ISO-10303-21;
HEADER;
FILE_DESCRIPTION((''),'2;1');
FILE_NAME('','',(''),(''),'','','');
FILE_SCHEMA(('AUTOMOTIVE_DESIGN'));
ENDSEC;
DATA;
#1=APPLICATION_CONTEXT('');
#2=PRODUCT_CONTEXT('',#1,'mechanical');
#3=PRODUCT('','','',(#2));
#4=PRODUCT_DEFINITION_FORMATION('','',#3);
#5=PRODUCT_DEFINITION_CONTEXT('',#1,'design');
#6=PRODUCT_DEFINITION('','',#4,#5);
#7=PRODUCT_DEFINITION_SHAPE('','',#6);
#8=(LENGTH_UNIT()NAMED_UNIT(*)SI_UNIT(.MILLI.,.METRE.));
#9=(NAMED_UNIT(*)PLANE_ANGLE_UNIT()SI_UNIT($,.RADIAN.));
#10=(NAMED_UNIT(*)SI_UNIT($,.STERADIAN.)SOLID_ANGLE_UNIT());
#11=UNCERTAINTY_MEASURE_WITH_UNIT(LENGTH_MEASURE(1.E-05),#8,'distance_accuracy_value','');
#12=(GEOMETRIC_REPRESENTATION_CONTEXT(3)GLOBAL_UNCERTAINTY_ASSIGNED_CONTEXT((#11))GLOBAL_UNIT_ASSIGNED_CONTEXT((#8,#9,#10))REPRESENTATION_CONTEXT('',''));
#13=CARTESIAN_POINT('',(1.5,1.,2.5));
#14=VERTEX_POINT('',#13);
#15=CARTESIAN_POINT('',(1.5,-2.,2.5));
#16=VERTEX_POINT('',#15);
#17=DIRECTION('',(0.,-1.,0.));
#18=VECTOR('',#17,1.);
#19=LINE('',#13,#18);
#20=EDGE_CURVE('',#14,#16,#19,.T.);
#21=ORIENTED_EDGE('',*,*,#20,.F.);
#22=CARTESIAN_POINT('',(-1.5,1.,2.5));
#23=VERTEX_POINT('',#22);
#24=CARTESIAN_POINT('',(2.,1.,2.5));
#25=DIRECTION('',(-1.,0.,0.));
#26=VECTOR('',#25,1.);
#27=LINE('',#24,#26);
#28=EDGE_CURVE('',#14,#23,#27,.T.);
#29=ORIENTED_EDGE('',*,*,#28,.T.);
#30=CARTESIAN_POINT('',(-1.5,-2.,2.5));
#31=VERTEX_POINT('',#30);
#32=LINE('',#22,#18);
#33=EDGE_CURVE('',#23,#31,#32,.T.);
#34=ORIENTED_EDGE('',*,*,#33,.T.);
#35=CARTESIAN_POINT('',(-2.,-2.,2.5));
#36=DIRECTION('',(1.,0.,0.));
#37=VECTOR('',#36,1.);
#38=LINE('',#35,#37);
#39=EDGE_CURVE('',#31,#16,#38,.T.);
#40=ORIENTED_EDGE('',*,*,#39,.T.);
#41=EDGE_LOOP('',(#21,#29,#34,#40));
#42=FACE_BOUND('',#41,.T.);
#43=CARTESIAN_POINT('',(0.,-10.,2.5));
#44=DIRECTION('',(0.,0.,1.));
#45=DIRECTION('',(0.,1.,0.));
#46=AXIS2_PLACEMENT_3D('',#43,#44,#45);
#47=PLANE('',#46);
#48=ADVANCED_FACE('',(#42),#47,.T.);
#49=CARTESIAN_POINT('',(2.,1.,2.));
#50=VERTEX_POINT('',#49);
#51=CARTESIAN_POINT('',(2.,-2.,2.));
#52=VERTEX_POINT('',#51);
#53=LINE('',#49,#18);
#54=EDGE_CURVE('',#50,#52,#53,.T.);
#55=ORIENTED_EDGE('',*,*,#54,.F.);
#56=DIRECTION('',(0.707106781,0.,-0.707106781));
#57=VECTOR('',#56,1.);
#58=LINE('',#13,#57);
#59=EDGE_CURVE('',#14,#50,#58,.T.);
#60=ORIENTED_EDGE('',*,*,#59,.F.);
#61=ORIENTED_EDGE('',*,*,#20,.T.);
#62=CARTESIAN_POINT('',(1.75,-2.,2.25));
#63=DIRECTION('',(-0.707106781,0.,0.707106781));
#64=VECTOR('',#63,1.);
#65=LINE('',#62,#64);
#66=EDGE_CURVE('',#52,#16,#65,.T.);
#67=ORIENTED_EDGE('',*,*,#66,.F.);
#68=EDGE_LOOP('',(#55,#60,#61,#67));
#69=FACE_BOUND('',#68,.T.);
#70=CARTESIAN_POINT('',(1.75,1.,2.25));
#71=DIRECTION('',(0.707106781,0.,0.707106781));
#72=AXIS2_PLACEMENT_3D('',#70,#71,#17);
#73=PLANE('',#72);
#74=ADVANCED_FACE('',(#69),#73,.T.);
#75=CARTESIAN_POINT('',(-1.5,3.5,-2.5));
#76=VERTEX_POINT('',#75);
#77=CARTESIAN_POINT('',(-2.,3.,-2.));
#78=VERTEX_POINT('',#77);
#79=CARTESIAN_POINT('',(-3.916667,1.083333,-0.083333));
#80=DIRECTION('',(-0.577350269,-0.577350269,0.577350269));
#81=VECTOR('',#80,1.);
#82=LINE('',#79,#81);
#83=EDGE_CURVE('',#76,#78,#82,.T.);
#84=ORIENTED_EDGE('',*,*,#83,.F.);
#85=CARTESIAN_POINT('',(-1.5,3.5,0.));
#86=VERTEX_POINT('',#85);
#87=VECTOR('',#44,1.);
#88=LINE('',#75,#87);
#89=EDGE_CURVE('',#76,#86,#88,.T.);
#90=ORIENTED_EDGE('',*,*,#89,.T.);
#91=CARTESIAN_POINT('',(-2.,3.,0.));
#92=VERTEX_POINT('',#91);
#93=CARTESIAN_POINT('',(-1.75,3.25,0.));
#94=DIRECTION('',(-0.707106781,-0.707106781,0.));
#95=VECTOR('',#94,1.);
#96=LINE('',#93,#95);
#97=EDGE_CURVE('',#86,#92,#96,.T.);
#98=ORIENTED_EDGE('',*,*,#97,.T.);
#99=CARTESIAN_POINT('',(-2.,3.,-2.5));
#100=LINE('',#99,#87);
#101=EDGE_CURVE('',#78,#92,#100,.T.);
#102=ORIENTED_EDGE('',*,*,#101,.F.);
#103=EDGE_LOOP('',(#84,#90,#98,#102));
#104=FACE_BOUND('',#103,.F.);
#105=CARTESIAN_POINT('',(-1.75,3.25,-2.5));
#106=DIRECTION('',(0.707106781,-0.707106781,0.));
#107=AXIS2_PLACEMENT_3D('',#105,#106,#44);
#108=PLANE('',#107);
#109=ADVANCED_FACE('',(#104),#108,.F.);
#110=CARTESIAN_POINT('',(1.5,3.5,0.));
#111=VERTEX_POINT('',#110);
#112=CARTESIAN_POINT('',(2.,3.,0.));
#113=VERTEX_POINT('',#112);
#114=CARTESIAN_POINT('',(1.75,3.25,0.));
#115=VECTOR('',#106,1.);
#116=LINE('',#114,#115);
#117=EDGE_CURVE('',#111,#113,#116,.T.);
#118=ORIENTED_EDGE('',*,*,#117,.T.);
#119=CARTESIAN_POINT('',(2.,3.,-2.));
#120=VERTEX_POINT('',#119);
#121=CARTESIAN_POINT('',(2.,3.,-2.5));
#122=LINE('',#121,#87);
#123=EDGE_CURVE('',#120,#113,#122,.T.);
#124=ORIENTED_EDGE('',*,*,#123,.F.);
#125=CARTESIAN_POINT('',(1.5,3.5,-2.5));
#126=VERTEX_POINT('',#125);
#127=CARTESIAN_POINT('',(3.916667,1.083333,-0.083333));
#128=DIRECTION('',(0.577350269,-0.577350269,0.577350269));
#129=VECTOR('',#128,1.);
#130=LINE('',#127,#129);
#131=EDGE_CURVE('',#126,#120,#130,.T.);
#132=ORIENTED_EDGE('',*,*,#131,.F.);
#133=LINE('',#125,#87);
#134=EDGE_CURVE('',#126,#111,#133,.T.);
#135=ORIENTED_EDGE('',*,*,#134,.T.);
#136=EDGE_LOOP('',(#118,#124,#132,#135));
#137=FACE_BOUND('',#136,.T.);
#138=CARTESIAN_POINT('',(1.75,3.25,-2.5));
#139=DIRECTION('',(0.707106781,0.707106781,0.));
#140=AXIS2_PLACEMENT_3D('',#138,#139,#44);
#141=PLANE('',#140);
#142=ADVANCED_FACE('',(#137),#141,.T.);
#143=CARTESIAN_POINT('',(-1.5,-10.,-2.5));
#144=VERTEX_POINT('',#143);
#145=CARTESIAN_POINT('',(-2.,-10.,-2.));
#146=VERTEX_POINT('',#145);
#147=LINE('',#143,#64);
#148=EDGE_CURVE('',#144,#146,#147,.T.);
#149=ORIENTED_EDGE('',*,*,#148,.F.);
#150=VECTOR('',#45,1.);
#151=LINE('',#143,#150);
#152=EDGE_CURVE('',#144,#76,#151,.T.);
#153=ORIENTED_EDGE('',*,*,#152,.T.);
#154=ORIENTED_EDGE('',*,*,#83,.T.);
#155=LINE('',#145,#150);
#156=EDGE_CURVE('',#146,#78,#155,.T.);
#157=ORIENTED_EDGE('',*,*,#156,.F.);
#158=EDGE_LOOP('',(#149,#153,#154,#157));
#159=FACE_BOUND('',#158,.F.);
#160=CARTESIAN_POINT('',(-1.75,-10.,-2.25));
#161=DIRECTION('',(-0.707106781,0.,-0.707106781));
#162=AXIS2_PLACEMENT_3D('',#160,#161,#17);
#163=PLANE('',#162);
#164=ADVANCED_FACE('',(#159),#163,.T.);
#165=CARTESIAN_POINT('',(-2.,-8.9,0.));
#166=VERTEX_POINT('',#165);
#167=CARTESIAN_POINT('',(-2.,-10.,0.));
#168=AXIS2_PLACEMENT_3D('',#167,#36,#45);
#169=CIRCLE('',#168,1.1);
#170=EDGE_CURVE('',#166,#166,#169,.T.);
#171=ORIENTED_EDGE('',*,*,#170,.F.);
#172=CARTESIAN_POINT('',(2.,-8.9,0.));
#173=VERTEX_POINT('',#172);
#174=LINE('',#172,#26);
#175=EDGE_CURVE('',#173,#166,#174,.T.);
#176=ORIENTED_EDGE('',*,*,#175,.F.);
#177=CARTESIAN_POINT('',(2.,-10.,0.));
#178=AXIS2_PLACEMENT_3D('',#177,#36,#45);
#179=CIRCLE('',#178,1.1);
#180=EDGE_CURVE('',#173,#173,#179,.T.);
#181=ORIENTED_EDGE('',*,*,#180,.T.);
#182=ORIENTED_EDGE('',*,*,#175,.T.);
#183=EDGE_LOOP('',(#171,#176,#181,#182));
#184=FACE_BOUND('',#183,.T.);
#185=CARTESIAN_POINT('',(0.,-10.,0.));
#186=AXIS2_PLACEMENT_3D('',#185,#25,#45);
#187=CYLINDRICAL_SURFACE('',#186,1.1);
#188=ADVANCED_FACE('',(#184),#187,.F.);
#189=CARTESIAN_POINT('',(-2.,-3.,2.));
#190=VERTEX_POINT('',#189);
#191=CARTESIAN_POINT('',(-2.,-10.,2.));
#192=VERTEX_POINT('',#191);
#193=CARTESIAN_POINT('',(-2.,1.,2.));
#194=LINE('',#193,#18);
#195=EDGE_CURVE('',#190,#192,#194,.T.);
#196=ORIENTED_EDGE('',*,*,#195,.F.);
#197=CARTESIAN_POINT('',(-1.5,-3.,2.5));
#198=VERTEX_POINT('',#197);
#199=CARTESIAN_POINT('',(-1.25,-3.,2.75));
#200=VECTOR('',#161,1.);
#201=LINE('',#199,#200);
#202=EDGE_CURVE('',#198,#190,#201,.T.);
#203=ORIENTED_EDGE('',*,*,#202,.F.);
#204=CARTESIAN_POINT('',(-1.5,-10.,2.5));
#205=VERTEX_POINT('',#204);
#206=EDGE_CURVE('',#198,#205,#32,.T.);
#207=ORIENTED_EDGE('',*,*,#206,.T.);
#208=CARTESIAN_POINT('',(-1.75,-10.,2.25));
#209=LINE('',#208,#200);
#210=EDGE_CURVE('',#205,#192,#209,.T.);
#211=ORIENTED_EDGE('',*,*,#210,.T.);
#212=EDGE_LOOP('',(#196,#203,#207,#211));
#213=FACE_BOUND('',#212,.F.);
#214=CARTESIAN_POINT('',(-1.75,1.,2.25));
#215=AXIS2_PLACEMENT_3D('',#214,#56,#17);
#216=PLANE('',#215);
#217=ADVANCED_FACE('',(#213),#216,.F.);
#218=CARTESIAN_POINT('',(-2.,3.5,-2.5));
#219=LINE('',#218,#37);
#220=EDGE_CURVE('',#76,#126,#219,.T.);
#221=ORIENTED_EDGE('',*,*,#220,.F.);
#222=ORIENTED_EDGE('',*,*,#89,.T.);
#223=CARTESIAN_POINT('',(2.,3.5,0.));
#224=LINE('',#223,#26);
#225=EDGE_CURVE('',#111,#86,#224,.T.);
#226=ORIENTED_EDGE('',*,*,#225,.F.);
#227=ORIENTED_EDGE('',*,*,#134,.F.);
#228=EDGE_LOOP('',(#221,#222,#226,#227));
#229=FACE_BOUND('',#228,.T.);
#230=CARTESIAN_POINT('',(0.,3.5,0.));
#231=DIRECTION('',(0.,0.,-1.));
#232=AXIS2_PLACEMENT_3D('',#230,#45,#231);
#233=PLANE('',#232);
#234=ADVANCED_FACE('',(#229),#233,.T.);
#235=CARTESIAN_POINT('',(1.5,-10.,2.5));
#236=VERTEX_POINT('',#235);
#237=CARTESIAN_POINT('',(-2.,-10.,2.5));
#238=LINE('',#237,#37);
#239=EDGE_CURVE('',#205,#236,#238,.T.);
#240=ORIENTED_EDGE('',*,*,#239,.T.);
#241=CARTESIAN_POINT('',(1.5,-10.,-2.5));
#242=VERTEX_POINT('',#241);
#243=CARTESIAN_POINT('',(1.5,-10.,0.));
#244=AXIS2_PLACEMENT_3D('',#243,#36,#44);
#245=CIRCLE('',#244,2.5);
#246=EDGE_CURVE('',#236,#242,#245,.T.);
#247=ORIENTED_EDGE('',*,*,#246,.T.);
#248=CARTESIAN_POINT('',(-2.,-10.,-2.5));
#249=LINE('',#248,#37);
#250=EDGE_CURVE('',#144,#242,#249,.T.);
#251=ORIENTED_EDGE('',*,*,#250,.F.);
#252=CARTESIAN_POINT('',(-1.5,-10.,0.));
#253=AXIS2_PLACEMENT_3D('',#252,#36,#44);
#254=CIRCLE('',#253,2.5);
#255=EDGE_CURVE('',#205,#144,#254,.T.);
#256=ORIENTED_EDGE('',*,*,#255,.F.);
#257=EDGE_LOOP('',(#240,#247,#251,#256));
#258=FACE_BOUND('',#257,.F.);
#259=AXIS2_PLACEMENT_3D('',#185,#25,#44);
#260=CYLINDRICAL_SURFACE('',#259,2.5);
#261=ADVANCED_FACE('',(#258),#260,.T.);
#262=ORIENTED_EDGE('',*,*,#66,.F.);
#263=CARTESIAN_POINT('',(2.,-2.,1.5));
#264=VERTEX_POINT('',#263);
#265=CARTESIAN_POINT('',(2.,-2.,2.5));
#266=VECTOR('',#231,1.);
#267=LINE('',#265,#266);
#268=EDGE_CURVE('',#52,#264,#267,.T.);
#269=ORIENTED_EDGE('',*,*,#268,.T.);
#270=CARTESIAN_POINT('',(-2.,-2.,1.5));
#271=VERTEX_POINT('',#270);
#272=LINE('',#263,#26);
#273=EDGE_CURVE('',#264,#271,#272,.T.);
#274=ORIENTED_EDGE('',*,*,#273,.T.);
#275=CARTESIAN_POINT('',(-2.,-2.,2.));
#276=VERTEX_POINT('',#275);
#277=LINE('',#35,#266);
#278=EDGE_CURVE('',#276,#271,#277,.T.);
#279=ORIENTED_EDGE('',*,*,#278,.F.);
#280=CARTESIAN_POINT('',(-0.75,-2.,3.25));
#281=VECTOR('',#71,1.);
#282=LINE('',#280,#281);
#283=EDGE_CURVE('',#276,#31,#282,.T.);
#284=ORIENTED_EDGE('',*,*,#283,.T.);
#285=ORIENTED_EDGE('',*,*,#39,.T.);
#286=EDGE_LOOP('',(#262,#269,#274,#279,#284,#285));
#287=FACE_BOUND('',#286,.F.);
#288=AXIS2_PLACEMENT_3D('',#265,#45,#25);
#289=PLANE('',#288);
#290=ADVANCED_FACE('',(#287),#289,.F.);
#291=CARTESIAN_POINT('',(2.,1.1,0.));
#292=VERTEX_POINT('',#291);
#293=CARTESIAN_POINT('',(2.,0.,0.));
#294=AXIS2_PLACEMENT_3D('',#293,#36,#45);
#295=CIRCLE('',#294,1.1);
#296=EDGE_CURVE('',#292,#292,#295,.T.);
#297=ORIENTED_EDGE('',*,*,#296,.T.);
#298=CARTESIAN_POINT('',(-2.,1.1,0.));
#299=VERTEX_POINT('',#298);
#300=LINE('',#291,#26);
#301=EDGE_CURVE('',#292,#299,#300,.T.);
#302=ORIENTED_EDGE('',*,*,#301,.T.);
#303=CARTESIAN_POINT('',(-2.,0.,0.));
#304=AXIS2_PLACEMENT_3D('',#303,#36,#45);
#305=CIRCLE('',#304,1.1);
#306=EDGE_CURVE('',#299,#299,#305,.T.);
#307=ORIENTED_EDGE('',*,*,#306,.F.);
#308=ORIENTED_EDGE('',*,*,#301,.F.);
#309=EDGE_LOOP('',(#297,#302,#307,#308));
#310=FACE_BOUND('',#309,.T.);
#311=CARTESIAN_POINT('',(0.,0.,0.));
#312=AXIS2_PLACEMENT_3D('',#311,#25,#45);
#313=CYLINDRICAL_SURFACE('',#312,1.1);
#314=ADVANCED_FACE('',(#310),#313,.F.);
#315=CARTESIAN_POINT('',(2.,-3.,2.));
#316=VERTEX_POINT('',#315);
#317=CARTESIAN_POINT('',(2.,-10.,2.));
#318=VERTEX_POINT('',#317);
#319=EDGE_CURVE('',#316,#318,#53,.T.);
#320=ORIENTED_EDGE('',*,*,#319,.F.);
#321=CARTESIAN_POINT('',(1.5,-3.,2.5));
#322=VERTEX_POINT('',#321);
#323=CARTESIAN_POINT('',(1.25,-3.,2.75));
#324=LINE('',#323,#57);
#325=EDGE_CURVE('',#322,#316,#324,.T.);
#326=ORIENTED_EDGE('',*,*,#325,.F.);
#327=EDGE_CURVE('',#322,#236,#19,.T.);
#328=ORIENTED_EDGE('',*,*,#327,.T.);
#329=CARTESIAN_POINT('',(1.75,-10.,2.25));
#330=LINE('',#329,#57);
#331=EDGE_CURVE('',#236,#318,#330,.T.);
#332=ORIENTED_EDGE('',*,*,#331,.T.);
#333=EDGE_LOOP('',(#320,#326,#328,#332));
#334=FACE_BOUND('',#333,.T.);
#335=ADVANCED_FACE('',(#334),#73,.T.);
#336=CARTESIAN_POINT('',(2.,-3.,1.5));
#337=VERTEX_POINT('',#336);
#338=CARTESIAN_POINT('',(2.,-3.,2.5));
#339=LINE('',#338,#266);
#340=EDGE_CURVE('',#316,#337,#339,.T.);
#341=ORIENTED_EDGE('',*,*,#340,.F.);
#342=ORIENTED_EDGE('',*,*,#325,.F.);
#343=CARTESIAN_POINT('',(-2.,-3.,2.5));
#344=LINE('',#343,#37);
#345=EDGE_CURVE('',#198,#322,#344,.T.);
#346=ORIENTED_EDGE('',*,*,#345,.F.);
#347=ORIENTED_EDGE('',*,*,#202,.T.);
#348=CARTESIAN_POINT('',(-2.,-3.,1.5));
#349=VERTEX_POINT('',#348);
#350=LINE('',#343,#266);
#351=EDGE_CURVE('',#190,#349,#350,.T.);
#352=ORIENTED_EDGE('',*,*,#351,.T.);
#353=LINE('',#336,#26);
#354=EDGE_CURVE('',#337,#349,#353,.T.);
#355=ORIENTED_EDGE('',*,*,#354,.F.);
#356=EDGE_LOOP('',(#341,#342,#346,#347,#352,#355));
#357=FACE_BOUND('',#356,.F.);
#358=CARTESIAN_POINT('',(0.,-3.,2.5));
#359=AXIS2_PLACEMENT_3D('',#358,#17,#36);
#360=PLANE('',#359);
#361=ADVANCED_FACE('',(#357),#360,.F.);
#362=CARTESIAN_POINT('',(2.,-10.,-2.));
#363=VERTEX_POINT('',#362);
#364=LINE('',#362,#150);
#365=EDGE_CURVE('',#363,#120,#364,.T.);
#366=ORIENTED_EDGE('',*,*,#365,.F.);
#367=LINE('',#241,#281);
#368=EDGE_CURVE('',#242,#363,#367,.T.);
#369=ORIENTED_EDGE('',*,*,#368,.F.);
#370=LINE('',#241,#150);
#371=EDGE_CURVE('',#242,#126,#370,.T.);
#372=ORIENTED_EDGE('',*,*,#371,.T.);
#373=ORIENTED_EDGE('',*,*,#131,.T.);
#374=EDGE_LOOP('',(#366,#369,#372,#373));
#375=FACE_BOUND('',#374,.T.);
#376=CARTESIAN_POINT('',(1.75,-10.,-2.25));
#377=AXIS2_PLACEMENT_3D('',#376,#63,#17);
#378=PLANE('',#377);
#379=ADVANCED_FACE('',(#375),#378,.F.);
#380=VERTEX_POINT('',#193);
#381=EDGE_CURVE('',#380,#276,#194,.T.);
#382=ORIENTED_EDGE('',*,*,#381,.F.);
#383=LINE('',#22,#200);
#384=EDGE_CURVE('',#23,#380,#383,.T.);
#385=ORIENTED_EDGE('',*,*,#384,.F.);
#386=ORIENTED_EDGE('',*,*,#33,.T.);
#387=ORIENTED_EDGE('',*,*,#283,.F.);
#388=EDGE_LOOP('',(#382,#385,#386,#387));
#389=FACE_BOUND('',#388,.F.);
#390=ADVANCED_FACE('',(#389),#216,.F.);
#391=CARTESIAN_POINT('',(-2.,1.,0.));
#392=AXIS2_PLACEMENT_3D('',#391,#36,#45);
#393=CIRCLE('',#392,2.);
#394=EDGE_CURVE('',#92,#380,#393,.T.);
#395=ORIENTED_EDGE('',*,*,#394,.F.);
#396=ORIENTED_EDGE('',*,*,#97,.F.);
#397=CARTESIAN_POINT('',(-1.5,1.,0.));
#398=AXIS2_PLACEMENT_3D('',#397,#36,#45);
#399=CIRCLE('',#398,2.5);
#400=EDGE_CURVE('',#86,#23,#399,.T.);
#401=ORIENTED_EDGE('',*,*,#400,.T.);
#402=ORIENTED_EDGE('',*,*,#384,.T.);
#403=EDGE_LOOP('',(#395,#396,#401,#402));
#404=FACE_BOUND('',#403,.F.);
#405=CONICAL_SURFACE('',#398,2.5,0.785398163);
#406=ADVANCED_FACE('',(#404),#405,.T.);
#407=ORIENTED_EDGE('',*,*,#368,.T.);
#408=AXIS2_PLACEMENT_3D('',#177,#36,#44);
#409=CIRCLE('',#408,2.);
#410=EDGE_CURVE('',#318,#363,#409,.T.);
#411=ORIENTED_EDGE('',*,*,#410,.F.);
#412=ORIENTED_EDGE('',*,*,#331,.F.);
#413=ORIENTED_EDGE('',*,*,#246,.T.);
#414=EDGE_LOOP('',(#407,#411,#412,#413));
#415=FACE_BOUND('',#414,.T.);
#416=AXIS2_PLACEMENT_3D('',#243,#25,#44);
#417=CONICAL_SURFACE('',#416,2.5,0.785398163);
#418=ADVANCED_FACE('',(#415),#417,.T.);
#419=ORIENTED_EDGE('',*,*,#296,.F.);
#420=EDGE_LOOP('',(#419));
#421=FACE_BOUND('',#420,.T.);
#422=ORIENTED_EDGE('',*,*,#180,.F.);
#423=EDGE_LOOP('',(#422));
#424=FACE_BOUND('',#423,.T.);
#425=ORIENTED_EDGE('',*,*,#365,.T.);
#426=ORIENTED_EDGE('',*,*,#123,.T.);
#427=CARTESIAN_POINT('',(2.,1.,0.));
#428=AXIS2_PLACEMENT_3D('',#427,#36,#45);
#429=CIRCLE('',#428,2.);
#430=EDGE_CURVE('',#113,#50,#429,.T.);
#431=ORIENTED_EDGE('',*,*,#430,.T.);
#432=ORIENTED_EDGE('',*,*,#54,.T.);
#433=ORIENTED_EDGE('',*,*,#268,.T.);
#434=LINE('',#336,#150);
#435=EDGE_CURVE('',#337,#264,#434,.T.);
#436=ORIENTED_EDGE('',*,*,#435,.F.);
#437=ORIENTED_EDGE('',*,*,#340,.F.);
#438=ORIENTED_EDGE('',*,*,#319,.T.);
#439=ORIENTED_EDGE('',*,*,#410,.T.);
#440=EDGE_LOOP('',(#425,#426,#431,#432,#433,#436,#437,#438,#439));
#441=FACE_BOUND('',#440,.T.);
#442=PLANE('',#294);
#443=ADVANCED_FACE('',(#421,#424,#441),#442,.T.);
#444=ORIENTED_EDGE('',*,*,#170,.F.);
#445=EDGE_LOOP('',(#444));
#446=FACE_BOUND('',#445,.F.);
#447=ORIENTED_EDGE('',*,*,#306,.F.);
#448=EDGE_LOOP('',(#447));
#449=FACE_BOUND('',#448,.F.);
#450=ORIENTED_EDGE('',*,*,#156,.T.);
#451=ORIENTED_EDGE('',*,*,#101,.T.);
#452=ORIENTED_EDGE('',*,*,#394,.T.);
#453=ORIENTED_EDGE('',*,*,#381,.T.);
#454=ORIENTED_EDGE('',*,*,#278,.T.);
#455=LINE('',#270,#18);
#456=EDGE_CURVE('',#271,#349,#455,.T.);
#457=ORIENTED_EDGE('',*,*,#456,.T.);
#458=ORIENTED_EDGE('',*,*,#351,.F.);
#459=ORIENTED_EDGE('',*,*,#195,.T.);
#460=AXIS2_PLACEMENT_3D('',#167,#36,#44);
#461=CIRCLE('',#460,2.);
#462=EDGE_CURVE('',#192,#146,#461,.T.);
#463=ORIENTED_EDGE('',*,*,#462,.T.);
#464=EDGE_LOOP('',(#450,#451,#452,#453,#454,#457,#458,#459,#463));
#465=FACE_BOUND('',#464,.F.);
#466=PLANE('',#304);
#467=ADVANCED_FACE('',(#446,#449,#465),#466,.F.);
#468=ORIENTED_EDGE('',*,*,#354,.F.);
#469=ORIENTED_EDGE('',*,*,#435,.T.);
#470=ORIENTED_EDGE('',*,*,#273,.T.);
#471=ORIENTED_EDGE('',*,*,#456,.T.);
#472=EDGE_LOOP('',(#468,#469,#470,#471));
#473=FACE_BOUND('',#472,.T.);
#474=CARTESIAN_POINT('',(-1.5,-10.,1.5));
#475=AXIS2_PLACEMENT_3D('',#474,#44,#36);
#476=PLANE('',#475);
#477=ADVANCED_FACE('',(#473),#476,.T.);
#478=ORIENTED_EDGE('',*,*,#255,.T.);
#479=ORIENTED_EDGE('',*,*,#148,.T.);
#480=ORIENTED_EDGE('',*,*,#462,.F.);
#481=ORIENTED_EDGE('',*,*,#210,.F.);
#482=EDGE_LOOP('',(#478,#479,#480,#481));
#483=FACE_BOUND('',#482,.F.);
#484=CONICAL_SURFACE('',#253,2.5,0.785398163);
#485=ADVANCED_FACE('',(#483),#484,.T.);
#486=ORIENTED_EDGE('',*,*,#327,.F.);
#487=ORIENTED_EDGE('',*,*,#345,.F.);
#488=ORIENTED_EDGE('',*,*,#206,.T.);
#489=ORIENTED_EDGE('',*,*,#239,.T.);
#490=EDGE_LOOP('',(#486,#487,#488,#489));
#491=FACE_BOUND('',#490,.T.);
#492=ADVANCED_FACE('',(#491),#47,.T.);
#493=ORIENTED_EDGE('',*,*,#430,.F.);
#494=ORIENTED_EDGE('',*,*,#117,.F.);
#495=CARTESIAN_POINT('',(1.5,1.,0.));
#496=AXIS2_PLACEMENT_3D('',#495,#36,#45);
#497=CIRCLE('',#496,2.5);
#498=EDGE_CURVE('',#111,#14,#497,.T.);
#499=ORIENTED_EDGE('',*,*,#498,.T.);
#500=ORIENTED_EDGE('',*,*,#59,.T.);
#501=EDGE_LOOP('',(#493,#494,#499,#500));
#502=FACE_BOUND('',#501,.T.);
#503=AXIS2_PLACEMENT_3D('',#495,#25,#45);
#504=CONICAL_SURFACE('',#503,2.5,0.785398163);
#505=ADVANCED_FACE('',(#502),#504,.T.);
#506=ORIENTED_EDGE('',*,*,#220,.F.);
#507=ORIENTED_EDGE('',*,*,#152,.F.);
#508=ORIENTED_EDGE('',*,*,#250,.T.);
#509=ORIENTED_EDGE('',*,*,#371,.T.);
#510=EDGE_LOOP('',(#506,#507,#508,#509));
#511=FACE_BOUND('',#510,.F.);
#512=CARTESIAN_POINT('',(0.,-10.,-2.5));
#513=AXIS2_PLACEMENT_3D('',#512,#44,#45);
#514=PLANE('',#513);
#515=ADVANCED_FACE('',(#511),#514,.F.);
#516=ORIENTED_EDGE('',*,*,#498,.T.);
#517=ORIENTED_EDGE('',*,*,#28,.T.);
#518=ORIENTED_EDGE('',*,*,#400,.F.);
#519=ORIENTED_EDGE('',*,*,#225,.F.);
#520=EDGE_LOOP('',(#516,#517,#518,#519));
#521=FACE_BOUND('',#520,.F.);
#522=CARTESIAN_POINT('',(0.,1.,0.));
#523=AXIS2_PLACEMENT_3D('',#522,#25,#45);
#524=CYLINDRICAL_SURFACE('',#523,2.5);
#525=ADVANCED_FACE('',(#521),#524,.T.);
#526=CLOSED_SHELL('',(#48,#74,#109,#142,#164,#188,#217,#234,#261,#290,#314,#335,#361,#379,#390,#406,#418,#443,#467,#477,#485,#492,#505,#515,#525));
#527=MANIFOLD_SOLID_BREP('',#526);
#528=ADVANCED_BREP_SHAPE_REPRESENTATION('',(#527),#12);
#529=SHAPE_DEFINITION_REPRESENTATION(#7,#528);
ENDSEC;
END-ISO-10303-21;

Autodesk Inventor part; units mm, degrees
ref_plane "YZ Plane" through (0, 0, 0) normal (1, 0, 0) x (0, 1, 0)
ref_plane "XZ Plane" through (0, 0, 0) normal (0, 1, 0) x (-1, 0, 0)
ref_plane "XY Plane" through (0, 0, 0) normal (0, 0, 1) x (1, 0, 0)
sketch "Skizze1" plane through (0, 0, 0) normal (1, 0, 0) x (0, 1, 0)
  line L0 (0, 0) -> (-10, 0) construction
  circle A0 centre (0, 0) radius 1.1
  circle A1 centre (-10, 0) radius 1.1
  arc A2 (-10, 2.5) -> (-10, -2.5) centre (-10, 0) ccw
  line L1 (-10, -2.5) -> (3.5, -2.5)
  line L2 (-10, 2.5) -> (1, 2.5)
  arc A3 (3.5, 0) -> (1, 2.5) centre (1, 0) ccw
  line L3 (3.5, 0) -> (3.5, -2.5)
  dimension "d0" = 10
  dimension "d1" = 2.2
  dimension "d2" = 2.2
  dimension "d3" = 2.5
  dimension "d8" = 2.5
  dimension "d9" = 3.5
extrude "Extrusion1" add sketch "Skizze1" along normal mid plane 4
chamfer "Fase1" distance 0.5 angle 45 10 edges at (2, 2.7678, 1.7678) (2, -4.5, 2.5) (2, -12.5, 0) (2, -3.25, -2.5) (2, 3.5, -1.25) (-2, 2.7678, 1.7678) (-2, -4.5, 2.5) (-2, -12.5, 0) (-2, -3.25, -2.5) (-2, 3.5, -1.25)
sketch "Skizze5" plane through (-1.5, -10, 2.5) normal (0, 0, 1) x (1, 0, 0)
  line L0 (1.5, 16.7) -> (1.5, -5.7) projected
  line L1 (-1.3, 10) -> (4.3, 10) projected
  line L2 (3.5, 8) -> (-0.5, 8)
  line L3 (-0.5, 8) -> (-0.5, 7)
  line L4 (-0.5, 7) -> (3.5, 7)
  line L5 (3.5, 7) -> (3.5, 8)
  line L6 (3.5, 0) -> (3.5, 11) projected
  line L7 (-0.5, 11) -> (-0.5, 0) projected
  point P0 (1.5, 10)
  dimension "d26" = 1
  dimension "d27" = 2
extrude "Extrusion4" cut sketch "Skizze5" against normal blind 1 contours L2 L5 L4 L0 | L0 L4 L3 L2
pattern_linear "Rechteckige Anordnung1" [suppressed]
equation "\"d2\" = d1"
properties part number "Chipanschlag TN2"
